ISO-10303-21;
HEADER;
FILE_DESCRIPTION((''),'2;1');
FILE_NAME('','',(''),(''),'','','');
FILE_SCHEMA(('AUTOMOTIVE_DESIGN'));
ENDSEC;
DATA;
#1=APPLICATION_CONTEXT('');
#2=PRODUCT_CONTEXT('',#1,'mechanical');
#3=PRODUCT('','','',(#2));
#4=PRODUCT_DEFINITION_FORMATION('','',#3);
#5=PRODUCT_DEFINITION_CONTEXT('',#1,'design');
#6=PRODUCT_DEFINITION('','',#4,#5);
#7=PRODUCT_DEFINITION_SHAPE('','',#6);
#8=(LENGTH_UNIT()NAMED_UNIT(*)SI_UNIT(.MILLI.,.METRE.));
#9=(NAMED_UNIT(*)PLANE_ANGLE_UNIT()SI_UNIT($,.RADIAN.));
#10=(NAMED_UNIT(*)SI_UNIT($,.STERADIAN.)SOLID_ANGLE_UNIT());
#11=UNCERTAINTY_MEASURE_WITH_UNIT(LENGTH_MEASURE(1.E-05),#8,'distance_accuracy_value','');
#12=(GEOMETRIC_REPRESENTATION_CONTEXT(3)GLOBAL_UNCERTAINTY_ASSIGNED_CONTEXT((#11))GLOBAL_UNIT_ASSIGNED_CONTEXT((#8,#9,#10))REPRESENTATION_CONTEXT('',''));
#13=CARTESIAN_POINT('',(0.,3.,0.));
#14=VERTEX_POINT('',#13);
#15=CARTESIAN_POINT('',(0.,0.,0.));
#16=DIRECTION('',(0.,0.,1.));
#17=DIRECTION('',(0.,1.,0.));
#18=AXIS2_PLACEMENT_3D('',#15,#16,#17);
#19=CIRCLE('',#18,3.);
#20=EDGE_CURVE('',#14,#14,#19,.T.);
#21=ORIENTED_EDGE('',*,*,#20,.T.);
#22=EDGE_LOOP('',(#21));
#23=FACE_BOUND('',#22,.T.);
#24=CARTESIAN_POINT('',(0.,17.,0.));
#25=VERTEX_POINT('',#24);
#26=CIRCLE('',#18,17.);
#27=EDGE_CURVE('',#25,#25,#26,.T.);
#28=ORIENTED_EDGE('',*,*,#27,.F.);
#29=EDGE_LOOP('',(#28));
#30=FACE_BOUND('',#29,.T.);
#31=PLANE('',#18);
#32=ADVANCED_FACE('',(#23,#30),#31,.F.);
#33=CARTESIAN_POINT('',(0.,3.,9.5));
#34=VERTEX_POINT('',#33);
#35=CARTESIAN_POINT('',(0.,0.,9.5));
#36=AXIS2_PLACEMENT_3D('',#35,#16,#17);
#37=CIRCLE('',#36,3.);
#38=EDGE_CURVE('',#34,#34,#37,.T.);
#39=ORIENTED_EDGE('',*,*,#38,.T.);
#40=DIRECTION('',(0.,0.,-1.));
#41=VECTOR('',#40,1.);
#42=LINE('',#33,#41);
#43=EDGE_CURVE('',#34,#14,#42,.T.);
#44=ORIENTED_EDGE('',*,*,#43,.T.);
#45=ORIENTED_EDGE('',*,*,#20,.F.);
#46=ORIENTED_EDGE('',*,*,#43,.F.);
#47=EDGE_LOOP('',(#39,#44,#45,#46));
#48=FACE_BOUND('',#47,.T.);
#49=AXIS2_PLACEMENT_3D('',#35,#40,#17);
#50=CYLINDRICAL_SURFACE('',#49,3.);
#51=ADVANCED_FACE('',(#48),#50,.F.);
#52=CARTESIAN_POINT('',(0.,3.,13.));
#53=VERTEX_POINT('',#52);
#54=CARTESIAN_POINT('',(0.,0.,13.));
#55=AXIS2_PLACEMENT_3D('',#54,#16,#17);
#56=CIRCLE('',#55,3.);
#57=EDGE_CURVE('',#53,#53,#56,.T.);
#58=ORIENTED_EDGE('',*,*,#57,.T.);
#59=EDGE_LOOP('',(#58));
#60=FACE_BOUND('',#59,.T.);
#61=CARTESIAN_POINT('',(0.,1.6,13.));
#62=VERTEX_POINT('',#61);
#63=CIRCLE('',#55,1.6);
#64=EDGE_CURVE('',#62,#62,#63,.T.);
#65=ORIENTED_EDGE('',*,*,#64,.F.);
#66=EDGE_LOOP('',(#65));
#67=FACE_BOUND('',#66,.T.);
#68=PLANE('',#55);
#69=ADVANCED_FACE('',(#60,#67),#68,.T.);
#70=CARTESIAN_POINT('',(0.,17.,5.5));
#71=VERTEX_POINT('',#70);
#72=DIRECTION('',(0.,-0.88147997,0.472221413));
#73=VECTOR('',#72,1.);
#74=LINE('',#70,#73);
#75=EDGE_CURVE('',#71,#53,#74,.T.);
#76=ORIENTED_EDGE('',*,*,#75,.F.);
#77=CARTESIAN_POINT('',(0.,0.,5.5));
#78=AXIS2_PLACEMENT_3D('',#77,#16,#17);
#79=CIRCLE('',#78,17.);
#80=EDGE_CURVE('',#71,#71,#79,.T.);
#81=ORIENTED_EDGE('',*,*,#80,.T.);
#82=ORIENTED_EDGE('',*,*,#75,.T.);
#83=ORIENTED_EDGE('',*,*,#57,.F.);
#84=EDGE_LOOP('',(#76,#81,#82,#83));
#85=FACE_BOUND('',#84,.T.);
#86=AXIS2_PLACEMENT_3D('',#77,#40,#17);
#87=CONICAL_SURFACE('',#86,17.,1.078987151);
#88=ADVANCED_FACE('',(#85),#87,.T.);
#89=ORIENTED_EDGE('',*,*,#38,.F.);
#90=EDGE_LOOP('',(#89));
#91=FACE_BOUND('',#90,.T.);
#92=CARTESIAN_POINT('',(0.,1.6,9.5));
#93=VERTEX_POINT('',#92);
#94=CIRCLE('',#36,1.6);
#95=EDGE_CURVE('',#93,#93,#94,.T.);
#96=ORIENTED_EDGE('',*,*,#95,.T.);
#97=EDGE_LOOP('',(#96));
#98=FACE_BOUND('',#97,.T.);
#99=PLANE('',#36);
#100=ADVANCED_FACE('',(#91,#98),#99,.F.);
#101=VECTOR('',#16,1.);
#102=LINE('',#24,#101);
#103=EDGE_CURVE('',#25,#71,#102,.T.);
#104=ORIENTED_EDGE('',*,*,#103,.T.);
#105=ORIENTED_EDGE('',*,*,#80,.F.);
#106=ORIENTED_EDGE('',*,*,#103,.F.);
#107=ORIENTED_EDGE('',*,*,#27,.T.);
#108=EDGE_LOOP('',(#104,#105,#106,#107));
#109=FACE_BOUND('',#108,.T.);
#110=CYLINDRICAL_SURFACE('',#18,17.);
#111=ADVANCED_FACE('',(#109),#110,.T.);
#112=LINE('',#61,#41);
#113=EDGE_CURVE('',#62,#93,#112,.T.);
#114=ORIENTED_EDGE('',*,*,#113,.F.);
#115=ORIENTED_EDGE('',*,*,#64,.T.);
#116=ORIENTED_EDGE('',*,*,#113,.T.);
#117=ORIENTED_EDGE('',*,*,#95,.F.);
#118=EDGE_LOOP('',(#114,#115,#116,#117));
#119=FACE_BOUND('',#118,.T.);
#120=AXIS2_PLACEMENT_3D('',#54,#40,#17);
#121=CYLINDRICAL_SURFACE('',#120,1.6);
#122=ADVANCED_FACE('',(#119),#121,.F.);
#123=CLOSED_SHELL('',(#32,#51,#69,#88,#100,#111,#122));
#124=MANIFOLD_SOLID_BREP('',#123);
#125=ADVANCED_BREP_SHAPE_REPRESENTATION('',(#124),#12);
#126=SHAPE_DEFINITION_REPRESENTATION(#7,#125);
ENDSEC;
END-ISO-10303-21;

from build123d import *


with BuildPart() as part:
    # Sketch002 → Revolution (revolve)
    with BuildSketch(Plane.YZ):
        Polygon((1.6, 13), (1.6, 9.5), (3, 9.5), (3, 0), (17, 0), (17, 5.5), (3, 13), align=None)
    revolve(axis=Axis((0, 0, 0), (0, 0, 1)))


solid = part.part
